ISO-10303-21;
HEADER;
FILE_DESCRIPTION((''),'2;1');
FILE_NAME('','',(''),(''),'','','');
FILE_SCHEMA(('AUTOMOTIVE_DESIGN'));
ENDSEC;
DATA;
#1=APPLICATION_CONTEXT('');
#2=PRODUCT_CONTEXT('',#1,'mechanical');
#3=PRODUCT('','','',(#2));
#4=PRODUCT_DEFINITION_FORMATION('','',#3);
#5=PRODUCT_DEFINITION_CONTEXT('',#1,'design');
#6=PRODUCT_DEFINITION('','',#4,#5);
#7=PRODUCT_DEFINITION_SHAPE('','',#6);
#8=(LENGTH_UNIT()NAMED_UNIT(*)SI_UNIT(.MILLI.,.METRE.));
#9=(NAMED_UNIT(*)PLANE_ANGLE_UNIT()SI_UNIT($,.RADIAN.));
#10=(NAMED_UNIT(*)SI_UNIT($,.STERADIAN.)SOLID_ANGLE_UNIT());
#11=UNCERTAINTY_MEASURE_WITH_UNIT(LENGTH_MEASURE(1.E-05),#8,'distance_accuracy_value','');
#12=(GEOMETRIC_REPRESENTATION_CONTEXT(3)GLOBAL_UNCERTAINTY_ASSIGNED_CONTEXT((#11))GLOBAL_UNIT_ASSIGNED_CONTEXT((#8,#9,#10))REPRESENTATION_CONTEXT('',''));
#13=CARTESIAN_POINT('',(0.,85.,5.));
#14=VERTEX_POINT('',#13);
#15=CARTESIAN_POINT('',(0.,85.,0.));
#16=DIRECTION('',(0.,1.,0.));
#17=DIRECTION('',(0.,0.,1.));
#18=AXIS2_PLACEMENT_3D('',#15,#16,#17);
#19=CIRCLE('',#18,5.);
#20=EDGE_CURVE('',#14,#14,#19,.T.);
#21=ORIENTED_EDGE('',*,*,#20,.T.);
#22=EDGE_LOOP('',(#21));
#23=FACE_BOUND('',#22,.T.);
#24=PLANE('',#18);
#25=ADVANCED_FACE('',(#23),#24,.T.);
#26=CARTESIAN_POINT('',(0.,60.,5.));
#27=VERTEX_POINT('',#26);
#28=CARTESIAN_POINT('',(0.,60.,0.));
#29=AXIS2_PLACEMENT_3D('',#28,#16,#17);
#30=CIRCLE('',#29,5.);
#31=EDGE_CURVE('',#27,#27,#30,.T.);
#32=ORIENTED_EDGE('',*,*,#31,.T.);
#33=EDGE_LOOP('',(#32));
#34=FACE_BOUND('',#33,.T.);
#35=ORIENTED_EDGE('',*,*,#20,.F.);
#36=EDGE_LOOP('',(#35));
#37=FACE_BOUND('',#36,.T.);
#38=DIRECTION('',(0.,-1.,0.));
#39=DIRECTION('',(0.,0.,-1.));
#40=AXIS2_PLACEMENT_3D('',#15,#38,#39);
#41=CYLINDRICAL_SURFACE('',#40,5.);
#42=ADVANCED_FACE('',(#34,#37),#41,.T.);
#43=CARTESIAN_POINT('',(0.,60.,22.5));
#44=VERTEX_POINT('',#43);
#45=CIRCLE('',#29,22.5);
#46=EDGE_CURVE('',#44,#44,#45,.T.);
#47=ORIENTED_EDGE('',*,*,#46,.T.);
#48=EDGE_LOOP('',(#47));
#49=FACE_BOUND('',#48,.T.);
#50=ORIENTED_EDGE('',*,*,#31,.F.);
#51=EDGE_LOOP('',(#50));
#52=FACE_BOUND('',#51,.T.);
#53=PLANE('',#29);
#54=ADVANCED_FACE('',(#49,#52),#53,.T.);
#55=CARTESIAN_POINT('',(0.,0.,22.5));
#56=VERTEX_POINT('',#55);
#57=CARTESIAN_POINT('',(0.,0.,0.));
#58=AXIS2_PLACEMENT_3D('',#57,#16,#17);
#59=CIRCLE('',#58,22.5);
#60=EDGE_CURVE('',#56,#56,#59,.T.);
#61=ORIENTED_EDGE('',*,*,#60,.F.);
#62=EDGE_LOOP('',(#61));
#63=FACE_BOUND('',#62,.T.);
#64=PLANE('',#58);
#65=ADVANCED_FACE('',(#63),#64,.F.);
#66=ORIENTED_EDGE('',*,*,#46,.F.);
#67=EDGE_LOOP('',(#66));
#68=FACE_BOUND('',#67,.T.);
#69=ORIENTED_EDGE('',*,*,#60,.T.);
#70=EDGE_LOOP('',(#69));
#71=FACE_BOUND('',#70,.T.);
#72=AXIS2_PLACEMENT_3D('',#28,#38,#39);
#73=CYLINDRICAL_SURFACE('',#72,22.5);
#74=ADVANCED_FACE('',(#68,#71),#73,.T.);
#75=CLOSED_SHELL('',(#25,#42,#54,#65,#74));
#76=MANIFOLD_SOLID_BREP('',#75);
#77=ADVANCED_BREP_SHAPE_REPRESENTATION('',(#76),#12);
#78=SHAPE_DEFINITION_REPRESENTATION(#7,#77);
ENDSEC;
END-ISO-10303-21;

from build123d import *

# Parameters (mm, degrees)
SKETCH1_R           = 22.5
BOSS_EXTRUDE1_DEPTH = 60
SKETCH2_R           = 5
BOSS_EXTRUDE2_DEPTH = 25


with BuildPart() as part:
    # Sketch1 → Boss-Extrude1 (new body)
    with BuildSketch(Plane(origin=(0, 0, 0), x_dir=(1, 0, 0), z_dir=(0, 1, 0))):
        Circle(SKETCH1_R)
    extrude(amount=BOSS_EXTRUDE1_DEPTH)

    # Sketch2 → Boss-Extrude2 (add)
    with BuildSketch(Plane(origin=(0, 60, 0), x_dir=(1, 0, 0), z_dir=(0, 1, 0))):
        Circle(SKETCH2_R)
    extrude(amount=BOSS_EXTRUDE2_DEPTH)


solid = part.part
